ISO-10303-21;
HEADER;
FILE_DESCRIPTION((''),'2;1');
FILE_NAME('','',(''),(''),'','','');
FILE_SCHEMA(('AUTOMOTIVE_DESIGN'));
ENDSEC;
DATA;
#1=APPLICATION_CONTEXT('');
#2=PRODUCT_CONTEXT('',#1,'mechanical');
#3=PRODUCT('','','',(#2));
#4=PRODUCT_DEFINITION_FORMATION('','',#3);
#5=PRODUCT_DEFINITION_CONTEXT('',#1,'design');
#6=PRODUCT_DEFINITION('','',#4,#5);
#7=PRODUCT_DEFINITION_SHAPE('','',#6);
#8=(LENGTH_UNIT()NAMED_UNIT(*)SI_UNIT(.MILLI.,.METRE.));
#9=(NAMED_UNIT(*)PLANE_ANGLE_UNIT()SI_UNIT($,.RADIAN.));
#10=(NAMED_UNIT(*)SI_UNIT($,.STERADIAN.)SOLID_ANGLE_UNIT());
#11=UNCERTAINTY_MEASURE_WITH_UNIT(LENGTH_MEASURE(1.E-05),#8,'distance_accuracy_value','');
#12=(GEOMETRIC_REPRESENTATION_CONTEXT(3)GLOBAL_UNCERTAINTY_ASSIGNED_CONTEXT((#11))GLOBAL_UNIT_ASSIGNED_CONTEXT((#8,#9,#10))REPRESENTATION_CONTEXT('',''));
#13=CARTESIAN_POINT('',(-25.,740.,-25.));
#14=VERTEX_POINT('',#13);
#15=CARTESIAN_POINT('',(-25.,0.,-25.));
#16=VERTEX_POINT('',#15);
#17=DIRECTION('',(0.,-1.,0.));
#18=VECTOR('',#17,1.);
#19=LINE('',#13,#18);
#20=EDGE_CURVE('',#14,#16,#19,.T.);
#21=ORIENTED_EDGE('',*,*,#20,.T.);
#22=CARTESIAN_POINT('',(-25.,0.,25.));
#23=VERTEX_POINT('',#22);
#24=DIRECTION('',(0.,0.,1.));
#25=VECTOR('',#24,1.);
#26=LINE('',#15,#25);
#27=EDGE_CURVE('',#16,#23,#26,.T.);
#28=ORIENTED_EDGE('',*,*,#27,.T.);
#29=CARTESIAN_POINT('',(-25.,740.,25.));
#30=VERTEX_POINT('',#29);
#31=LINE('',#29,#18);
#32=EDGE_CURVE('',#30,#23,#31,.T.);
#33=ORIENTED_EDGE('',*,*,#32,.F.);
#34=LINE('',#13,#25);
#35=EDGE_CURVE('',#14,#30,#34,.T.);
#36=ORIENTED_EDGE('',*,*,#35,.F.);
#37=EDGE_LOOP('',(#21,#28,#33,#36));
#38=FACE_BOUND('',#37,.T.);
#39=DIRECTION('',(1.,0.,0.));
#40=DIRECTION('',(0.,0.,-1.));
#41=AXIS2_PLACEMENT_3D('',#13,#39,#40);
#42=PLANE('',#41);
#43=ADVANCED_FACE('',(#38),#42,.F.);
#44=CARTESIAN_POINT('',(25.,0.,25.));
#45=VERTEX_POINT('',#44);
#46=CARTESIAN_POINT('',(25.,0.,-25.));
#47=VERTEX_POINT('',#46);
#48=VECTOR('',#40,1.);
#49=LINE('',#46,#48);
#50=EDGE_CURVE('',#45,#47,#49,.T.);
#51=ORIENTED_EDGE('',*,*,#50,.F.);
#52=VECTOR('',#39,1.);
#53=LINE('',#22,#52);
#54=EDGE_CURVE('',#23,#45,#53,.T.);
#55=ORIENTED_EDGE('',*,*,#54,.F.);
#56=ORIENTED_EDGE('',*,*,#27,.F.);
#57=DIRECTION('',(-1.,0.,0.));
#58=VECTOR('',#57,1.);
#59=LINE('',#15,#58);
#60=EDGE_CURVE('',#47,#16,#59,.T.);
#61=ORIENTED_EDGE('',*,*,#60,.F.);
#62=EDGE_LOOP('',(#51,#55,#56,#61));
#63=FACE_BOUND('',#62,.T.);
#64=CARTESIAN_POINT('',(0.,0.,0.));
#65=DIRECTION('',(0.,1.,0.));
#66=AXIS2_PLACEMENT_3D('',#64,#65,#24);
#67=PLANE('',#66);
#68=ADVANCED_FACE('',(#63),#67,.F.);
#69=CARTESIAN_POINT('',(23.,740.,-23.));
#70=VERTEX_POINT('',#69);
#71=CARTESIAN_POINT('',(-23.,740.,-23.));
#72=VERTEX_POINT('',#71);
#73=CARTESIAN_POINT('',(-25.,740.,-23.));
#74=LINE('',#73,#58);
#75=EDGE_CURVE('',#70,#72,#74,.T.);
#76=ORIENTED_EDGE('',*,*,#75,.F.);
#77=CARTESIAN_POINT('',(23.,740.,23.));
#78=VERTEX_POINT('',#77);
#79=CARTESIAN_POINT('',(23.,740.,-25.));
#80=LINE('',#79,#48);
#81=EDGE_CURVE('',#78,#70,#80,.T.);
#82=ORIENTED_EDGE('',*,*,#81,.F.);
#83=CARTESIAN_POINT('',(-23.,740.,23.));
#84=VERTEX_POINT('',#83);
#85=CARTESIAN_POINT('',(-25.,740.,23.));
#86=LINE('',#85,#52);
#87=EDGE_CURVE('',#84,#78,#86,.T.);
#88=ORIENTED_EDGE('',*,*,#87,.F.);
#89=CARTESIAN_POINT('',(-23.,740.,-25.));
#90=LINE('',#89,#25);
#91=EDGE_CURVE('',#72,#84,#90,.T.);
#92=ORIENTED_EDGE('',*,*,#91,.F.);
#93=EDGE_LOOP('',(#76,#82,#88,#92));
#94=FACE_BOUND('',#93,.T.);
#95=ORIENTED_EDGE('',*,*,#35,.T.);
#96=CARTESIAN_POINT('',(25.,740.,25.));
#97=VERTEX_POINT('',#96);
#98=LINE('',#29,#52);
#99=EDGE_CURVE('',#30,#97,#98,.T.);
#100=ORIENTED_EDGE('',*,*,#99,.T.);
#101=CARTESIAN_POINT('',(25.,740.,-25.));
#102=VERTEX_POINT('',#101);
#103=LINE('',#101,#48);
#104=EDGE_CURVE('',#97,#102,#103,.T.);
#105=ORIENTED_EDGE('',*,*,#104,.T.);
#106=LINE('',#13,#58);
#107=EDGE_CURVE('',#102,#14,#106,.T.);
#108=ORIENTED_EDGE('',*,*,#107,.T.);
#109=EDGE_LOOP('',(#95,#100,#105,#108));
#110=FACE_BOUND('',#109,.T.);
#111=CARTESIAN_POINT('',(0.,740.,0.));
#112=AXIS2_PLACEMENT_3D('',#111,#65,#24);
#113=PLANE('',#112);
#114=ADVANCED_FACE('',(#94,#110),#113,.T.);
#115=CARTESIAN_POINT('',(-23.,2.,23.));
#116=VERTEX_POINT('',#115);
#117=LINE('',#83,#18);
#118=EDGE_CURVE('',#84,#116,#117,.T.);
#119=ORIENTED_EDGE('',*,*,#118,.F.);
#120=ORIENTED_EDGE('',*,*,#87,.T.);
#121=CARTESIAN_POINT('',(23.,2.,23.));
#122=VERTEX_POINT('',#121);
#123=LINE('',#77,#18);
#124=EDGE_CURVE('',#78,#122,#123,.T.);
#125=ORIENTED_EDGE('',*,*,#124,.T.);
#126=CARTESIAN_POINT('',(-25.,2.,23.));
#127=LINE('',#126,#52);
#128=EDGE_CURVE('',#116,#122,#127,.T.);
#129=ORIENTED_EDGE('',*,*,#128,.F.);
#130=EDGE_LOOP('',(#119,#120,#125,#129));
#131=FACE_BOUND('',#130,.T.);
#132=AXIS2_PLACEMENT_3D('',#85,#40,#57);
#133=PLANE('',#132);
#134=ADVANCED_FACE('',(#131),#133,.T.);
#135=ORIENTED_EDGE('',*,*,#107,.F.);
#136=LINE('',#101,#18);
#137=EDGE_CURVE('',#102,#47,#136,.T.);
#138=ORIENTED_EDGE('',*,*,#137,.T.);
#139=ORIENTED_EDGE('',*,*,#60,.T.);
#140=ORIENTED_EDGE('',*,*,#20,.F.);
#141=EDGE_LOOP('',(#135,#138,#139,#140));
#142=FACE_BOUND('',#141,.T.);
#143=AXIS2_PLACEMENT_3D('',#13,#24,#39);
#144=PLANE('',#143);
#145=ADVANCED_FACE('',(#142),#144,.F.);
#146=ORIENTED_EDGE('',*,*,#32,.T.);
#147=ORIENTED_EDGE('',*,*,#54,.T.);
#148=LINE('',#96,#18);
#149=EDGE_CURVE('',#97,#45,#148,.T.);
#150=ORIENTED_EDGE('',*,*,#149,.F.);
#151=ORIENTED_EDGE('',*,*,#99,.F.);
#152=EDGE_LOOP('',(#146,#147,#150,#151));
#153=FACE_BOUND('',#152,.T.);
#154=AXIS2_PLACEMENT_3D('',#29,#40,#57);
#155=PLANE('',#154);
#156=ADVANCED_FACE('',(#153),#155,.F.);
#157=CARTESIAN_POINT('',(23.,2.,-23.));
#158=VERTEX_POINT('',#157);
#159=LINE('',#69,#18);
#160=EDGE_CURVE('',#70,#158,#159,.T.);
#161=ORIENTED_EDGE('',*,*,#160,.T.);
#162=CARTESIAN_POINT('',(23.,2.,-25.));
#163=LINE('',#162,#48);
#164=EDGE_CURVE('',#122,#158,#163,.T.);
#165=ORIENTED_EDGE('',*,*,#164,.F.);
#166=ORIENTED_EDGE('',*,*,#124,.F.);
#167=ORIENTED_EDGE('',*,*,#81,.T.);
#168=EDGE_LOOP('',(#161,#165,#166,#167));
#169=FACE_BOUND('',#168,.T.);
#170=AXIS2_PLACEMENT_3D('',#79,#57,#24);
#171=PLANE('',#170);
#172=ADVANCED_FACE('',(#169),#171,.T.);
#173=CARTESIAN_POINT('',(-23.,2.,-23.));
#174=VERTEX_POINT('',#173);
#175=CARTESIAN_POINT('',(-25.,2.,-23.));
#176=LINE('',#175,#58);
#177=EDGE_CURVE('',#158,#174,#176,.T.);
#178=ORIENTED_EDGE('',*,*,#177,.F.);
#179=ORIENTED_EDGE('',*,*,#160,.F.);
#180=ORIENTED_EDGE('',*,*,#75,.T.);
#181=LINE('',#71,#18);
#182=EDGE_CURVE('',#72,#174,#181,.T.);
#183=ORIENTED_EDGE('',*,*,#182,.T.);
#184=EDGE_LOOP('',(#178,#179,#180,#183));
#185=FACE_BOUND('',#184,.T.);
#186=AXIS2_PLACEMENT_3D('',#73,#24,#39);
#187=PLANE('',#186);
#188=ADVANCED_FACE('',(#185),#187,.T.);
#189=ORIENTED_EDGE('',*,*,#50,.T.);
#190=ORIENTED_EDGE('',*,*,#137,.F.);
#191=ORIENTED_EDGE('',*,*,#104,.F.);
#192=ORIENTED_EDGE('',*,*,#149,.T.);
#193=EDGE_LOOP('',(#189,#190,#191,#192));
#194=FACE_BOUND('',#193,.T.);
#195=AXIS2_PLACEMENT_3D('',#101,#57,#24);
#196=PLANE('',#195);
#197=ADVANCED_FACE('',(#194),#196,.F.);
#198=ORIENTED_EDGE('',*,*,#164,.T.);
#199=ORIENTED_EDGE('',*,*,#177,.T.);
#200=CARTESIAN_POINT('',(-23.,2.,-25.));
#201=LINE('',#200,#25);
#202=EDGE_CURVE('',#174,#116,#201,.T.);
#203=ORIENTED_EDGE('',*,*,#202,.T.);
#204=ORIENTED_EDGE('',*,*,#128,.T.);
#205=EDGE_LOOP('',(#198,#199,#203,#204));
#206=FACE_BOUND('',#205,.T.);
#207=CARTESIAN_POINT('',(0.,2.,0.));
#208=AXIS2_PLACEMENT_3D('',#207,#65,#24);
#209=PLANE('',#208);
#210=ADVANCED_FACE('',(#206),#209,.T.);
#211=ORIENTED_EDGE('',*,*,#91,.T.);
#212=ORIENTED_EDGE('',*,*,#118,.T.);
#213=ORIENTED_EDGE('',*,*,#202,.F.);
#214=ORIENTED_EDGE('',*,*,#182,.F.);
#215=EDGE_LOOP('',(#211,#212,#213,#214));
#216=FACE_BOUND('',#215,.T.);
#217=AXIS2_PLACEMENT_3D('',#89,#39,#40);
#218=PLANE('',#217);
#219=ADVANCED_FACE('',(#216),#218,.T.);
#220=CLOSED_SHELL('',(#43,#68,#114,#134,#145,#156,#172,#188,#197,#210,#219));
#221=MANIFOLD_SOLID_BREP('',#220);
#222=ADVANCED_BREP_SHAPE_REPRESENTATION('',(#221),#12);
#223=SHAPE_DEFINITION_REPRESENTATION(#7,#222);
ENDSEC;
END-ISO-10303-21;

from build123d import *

# Parameters (mm, degrees)
SKETCH1_W           = 50
SKETCH1_H           = 50
BOSS_EXTRUDE1_DEPTH = 740
SHELL1_T            = -2


with BuildPart() as part:
    # Sketch1 → Boss-Extrude1 (new body)
    with BuildSketch(Plane(origin=(0, 0, 0), x_dir=(1, 0, 0), z_dir=(0, 1, 0))):
        Rectangle(SKETCH1_W, SKETCH1_H)
    extrude(amount=BOSS_EXTRUDE1_DEPTH)

    # Shell1
    shell1_openings = [part.faces().sort_by_distance(p)[0] for p in [
        (0, 740, 0),
    ]]
    offset(amount=SHELL1_T, openings=shell1_openings, kind=Kind.INTERSECTION)


solid = part.part
